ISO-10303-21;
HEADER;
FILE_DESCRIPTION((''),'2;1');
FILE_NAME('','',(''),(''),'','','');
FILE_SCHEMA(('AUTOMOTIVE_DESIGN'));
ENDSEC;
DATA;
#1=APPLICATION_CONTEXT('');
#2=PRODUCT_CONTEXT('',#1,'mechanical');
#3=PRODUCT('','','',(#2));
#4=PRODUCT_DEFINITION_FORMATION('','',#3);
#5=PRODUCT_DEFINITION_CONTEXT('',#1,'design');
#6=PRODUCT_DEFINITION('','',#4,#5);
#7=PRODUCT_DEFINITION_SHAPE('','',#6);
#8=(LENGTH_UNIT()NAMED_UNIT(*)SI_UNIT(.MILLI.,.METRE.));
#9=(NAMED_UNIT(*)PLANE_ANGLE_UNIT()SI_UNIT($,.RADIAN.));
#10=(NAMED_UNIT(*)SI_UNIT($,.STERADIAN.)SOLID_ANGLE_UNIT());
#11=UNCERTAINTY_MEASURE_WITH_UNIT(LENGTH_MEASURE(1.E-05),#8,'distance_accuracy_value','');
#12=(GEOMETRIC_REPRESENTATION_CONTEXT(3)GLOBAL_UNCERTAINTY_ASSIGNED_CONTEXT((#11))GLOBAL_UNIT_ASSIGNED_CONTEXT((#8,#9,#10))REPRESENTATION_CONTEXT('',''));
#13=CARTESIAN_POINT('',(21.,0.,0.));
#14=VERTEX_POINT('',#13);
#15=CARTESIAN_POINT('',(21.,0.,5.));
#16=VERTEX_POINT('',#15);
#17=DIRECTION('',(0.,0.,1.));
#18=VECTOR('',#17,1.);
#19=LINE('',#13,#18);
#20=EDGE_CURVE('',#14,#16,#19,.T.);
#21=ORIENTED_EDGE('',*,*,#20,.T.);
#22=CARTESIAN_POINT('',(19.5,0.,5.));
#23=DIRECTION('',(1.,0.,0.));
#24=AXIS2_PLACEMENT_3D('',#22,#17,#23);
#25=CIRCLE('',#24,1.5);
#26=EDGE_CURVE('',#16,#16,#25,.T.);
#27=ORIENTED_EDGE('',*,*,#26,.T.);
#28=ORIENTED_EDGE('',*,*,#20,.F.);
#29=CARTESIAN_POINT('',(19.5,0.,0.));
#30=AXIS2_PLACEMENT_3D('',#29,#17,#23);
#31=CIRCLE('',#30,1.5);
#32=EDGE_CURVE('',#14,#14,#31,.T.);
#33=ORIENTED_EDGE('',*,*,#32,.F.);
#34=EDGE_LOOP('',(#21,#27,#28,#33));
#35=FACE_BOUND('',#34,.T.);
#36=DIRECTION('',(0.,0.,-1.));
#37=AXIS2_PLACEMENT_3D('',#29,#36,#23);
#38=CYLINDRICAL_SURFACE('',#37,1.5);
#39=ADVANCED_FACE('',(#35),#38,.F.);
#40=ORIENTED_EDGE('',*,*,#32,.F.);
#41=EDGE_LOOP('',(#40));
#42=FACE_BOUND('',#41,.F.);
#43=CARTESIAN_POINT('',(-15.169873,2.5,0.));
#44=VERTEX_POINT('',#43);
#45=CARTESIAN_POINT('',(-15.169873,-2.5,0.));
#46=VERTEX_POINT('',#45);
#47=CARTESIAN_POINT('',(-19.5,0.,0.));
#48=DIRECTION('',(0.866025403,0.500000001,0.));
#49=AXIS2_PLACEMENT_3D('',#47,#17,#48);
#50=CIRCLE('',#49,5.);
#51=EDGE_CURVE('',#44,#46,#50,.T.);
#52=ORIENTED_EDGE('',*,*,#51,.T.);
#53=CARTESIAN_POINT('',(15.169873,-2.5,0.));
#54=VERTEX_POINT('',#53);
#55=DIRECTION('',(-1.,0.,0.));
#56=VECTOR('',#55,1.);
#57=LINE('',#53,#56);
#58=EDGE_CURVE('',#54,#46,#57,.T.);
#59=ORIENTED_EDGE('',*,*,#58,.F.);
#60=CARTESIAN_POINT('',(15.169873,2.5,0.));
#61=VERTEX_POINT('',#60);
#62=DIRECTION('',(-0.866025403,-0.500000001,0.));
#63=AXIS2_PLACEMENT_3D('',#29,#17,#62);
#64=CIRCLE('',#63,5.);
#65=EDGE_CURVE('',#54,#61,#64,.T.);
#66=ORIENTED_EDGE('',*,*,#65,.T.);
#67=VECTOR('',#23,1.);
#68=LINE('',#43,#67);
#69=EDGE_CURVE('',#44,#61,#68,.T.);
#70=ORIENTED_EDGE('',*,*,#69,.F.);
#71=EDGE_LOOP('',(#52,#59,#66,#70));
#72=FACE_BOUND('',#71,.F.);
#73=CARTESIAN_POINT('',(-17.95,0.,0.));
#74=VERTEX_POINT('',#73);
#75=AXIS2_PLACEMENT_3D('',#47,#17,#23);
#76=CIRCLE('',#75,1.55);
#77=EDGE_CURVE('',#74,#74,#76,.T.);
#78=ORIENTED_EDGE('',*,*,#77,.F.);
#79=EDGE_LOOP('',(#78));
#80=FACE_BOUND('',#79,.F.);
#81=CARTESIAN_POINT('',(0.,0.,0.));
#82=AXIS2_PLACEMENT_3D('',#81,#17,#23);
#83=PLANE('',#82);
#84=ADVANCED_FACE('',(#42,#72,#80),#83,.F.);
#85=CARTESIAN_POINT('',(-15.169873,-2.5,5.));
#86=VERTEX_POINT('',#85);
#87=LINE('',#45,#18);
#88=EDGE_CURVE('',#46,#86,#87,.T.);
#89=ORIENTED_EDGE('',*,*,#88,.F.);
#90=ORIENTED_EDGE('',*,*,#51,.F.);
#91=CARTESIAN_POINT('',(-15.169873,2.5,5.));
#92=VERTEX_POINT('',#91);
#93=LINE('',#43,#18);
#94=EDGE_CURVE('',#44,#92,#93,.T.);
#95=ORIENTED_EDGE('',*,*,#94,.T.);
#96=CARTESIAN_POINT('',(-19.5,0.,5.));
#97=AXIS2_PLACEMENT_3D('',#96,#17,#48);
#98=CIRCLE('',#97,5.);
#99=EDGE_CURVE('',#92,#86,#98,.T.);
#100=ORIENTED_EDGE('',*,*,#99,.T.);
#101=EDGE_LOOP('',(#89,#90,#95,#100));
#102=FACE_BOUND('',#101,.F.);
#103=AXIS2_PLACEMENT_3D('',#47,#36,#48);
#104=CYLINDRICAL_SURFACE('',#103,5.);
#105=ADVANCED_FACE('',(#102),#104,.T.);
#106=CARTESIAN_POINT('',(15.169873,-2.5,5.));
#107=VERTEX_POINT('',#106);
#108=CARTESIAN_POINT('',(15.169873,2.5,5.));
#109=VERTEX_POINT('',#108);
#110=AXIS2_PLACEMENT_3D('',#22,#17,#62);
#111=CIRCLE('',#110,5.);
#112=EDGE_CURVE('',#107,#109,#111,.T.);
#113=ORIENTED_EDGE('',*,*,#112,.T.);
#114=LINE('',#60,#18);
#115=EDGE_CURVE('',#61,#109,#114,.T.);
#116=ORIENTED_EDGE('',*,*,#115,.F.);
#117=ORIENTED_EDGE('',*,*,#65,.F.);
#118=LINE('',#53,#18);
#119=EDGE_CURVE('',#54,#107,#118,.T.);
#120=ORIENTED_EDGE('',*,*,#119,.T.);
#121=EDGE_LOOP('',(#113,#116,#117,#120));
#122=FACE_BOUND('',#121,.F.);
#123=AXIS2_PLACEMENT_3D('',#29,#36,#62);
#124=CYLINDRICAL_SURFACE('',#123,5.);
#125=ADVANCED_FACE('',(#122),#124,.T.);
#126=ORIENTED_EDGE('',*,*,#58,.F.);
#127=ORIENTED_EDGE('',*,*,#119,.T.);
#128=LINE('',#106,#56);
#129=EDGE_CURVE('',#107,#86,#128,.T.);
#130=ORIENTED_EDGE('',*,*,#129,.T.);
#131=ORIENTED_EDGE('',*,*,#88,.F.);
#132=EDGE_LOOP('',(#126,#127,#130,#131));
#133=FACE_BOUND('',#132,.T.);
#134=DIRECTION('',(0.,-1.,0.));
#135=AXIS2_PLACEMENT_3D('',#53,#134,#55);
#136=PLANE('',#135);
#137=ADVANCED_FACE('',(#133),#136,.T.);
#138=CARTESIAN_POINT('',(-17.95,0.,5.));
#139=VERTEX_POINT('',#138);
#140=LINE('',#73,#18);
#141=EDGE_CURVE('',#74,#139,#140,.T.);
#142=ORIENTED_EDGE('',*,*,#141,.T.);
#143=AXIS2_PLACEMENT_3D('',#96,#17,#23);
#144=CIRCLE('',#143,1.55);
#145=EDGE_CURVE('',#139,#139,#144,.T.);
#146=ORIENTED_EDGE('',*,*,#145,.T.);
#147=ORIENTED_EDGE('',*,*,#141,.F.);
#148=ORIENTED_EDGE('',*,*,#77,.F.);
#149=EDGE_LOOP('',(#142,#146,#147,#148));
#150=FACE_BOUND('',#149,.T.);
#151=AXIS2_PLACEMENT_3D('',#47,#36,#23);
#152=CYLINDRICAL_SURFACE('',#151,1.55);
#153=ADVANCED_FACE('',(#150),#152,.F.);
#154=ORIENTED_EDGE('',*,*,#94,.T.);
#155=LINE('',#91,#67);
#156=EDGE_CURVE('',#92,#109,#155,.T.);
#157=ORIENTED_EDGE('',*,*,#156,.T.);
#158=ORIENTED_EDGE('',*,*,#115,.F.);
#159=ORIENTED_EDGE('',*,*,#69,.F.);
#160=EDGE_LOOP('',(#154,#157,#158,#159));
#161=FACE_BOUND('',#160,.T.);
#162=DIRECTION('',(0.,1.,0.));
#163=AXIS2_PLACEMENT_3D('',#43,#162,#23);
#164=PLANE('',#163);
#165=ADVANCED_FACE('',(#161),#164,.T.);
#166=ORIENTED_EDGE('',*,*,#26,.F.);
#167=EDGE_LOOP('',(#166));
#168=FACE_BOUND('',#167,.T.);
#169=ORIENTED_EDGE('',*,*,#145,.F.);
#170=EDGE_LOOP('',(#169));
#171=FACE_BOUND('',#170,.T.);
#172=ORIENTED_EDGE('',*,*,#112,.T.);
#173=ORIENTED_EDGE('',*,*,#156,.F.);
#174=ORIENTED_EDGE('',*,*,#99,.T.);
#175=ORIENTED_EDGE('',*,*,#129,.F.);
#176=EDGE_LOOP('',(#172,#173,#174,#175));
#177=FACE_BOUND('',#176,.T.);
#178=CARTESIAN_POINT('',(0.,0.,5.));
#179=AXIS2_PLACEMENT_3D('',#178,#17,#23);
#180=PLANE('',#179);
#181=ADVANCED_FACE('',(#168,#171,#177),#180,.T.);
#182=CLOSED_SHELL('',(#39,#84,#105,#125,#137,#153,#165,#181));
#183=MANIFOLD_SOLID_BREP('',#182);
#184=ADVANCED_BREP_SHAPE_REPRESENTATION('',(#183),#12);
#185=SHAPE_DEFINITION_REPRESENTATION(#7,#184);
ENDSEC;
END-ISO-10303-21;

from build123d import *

# Parameters (mm, degrees)
SKETCH_R      = 1.55
SKETCH_R_2    = 1.5
EXTRUDE_DEPTH = 5


with BuildPart() as part:
    # Sketch → Extrude (new body)
    with BuildSketch(Plane.XY):
        with BuildLine():
            ThreePointArc((-15.169873, 2.5), (-24.5, 0), (-15.169873, -2.5))
            Line((15.169873, -2.5), (-15.169873, -2.5))
            ThreePointArc((15.169873, -2.5), (24.5, 0), (15.169873, 2.5))
            Line((-15.169873, 2.5), (15.169873, 2.5))
        make_face()
        with Locations((-19.5, 0)):
            Circle(SKETCH_R, mode=Mode.SUBTRACT)
        with Locations((19.5, 0)):
            Circle(SKETCH_R_2, mode=Mode.SUBTRACT)
    extrude(amount=EXTRUDE_DEPTH)


solid = part.part
